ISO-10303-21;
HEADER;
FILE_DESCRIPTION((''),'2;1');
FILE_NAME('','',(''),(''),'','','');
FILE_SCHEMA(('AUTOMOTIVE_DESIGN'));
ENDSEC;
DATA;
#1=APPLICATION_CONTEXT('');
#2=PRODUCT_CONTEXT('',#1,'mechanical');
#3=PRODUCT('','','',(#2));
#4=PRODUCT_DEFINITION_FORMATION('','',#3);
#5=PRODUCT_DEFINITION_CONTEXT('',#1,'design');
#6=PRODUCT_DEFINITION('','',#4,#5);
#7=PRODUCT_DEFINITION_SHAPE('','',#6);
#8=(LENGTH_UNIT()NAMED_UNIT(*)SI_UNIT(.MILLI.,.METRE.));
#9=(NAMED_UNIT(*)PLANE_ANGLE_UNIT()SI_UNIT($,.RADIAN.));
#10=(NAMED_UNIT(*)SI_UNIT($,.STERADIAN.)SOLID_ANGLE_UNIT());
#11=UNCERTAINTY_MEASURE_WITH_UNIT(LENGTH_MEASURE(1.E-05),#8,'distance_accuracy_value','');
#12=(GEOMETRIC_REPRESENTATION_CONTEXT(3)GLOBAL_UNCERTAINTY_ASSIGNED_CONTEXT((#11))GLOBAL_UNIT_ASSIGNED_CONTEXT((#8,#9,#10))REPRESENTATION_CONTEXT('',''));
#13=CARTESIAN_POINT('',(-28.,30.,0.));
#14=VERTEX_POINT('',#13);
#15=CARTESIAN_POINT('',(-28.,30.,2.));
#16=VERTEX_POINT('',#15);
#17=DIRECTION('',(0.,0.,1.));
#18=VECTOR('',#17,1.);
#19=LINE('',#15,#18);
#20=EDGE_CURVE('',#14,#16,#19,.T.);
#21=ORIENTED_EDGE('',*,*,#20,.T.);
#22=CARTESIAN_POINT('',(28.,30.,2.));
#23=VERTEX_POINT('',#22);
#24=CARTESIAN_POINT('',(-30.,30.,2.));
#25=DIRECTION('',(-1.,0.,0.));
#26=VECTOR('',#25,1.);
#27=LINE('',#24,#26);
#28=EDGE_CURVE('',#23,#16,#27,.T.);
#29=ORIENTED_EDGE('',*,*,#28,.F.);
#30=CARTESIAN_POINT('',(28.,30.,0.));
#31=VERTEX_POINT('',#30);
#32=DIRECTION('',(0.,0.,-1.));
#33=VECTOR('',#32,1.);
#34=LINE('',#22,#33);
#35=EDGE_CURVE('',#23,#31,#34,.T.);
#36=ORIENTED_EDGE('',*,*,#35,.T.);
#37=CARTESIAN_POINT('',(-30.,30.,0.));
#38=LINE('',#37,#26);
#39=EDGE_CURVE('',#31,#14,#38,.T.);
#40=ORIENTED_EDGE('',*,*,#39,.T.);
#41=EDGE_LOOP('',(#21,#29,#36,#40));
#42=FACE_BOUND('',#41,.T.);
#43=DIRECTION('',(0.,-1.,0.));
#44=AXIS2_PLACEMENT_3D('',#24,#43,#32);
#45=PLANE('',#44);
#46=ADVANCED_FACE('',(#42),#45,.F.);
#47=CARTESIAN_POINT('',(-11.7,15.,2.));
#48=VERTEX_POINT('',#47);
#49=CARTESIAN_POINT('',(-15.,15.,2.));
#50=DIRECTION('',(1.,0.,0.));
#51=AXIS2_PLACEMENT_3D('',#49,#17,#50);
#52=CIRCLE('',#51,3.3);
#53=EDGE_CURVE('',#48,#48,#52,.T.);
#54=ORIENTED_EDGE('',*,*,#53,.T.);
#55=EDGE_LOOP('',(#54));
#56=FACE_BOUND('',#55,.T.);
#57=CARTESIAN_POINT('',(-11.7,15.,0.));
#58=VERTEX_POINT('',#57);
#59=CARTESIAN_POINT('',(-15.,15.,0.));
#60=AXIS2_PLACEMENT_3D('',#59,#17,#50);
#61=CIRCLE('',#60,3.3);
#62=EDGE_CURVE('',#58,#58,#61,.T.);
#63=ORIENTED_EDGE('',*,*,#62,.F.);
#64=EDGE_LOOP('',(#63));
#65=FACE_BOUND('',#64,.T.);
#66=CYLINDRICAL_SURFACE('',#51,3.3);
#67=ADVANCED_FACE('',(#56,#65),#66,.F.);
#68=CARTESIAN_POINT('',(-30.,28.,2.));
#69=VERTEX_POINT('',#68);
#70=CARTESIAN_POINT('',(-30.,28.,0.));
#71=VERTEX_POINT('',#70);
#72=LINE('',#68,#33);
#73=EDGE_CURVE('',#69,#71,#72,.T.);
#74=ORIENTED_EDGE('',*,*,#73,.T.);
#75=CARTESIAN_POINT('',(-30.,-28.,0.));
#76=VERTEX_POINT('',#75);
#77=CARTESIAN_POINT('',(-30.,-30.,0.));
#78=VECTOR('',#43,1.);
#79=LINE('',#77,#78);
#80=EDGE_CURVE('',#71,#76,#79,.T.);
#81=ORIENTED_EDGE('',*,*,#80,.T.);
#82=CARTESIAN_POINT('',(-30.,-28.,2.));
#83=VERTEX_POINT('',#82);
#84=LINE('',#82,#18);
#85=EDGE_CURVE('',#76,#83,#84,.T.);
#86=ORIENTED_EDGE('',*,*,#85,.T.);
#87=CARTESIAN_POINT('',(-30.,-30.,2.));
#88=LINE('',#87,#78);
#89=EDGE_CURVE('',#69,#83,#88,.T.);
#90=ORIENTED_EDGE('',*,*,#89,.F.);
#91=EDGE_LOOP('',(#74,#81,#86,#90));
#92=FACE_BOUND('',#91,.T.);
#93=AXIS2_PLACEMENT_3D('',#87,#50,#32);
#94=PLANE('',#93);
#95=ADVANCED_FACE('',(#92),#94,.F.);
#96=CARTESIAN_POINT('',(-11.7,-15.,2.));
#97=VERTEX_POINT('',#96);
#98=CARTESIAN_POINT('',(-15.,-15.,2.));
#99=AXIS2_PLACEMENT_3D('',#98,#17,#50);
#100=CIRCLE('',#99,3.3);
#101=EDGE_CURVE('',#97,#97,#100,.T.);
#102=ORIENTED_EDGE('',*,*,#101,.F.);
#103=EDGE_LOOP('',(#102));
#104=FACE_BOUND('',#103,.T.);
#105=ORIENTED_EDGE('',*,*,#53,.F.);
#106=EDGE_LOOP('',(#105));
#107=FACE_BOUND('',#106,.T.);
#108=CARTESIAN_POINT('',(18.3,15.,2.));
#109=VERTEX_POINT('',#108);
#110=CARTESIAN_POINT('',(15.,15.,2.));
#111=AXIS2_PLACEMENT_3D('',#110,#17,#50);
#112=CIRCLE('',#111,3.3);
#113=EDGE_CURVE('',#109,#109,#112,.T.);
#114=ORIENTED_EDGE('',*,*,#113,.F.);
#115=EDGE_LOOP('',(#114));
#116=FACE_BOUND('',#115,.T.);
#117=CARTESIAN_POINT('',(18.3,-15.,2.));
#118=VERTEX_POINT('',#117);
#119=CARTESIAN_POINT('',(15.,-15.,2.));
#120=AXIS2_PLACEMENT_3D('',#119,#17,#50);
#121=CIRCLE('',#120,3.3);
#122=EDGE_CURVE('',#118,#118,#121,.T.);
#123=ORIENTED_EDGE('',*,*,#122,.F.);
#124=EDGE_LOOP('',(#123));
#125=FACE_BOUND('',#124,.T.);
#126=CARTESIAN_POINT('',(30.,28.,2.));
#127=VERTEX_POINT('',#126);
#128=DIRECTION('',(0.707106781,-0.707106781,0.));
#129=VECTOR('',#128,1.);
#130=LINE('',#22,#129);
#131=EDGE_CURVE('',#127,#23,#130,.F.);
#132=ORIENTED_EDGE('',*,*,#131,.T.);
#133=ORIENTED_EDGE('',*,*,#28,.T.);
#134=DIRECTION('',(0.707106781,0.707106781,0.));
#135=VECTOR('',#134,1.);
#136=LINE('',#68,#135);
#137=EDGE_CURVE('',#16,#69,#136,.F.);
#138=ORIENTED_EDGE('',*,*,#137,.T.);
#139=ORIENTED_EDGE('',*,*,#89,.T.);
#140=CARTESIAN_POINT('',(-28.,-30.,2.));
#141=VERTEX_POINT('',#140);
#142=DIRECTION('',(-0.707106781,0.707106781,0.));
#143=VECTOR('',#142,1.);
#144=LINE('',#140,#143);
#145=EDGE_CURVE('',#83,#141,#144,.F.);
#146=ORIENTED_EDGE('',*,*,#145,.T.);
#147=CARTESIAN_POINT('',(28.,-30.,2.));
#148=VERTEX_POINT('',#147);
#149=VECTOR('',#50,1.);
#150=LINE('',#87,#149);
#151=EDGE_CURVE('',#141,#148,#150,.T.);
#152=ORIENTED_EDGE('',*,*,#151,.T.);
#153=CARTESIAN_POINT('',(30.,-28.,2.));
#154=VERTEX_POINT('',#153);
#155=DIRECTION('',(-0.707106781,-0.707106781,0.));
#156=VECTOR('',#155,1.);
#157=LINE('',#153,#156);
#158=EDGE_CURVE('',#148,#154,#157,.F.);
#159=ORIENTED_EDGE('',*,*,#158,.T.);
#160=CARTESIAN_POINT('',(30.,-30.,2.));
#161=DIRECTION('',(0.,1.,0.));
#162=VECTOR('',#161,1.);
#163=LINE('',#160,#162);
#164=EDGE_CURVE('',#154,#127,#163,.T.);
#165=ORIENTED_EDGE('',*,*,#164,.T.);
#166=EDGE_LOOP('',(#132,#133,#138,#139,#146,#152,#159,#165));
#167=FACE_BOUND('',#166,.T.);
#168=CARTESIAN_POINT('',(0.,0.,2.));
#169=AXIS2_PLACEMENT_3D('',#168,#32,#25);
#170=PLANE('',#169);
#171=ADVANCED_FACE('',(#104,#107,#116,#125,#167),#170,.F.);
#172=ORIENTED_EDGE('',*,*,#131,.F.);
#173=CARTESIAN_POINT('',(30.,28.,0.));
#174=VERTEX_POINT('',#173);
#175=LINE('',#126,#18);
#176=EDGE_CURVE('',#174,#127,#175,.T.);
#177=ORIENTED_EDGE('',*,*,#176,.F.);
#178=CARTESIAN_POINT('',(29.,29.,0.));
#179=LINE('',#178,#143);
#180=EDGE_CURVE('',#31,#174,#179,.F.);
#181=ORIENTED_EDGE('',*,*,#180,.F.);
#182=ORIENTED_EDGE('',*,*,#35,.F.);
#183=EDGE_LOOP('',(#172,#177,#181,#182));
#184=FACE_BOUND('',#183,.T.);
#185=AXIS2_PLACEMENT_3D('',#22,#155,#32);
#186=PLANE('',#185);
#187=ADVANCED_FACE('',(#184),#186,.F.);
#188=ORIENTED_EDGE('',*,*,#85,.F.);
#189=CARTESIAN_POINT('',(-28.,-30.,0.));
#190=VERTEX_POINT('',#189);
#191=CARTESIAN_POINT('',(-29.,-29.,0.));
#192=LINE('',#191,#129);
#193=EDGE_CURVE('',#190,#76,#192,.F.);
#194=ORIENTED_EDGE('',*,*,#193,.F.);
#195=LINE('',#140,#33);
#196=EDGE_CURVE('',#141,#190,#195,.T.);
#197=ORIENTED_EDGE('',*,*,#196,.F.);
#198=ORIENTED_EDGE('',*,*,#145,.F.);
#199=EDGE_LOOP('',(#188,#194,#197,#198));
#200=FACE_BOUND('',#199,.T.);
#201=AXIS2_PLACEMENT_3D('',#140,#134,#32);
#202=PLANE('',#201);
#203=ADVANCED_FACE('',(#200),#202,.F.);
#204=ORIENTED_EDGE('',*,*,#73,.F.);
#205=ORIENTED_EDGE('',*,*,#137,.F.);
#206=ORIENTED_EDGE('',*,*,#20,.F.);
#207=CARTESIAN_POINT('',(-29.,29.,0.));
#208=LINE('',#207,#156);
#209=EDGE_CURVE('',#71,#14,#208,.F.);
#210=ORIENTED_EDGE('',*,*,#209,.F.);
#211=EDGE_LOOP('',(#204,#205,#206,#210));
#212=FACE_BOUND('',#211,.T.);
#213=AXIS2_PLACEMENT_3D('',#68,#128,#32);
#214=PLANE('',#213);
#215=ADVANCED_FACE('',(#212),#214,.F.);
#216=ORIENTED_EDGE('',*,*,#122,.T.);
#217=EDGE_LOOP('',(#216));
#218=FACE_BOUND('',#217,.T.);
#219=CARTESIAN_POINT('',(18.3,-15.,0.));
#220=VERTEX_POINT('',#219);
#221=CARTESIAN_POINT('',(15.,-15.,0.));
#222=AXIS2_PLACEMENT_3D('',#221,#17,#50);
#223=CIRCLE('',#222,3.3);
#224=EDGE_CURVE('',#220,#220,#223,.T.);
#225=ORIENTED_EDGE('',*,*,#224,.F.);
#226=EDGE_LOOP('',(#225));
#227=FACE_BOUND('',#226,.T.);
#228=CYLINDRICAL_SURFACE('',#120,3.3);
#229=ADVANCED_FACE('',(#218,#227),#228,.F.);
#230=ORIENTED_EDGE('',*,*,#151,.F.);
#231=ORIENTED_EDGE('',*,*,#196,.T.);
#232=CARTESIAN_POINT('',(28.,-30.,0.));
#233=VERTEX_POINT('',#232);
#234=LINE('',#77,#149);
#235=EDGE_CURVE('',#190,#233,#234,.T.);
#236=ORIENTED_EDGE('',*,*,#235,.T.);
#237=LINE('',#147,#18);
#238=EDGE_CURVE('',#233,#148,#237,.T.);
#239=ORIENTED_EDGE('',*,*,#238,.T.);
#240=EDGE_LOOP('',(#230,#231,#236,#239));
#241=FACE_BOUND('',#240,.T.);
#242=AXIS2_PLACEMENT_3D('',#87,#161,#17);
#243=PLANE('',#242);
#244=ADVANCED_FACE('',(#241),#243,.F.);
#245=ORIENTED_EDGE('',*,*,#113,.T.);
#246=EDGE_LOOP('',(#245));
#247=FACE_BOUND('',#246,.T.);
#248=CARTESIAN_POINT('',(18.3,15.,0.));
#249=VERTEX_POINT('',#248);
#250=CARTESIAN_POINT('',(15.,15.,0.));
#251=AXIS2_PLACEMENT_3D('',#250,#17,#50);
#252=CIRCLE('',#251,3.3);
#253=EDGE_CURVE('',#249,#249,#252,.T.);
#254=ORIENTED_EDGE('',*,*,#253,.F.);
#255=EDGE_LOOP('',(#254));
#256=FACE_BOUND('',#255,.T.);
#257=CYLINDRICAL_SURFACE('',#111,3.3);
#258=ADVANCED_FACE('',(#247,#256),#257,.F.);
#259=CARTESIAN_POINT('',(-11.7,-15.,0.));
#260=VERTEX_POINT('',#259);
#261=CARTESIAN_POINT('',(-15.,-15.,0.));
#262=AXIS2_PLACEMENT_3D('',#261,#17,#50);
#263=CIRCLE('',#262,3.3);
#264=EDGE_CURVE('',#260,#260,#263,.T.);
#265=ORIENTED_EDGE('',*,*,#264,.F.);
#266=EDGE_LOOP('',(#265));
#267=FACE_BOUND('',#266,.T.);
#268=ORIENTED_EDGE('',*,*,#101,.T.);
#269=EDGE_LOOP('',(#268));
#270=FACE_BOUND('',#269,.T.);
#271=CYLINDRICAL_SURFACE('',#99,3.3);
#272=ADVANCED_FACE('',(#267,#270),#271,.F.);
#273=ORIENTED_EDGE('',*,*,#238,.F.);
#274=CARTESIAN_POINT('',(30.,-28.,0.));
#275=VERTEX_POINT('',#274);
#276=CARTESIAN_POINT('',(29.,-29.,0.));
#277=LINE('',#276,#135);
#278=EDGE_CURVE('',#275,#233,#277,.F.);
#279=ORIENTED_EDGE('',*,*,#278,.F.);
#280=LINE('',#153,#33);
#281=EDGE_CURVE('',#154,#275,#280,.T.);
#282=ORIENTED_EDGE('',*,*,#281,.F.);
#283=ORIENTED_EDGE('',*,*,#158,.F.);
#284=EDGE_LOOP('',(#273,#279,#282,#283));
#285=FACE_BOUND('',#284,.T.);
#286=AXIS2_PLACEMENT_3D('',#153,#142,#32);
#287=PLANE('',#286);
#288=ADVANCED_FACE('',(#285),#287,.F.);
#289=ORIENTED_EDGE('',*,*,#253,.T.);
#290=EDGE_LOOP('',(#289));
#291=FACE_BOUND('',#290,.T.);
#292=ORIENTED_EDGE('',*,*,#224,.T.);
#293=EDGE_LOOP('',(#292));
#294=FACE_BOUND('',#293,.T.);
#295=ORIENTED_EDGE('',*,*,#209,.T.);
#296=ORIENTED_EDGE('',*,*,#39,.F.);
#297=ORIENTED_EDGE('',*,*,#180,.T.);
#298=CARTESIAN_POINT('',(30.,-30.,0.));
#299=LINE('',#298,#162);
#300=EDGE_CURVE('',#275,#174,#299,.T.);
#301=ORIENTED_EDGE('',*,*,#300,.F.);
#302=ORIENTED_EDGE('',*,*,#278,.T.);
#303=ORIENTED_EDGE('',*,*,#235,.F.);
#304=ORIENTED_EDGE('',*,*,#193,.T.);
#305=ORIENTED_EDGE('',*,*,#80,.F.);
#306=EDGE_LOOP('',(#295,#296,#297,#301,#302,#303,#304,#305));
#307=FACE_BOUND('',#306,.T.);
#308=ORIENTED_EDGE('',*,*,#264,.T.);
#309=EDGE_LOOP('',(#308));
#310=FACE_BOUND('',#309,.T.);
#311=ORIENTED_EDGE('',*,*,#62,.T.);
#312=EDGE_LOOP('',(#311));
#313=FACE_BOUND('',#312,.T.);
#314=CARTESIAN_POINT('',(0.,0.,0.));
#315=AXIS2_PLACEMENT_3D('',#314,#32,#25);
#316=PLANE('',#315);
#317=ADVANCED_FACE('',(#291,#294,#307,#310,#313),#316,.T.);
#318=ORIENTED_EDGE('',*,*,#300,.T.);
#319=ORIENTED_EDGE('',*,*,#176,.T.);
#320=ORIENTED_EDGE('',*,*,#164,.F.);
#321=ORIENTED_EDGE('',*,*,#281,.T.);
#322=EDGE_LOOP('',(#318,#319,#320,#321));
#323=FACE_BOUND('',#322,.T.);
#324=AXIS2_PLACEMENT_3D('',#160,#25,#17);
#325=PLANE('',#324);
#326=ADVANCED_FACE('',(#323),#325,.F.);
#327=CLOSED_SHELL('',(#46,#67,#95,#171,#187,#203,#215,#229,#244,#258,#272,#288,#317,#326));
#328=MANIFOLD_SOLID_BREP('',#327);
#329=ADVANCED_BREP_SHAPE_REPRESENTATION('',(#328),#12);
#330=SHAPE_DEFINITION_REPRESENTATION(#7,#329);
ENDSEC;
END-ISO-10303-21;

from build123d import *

# Parameters (mm, degrees)
SKETCH_1_W        = 60
SKETCH_1_H        = 60
EXTRUDE_1_DEPTH   = 2
CHAMFER_1_SIZE    = 2
HOLE_WIZARD_M61_D = 6.6


with BuildPart() as part:
    # Эскиз1 → Бобышка-Вытянуть1 (new body)
    with BuildSketch(Plane.XY):
        Rectangle(SKETCH_1_W, SKETCH_1_H)
    extrude(amount=EXTRUDE_1_DEPTH)

    # Фаска1
    chamfer_1_edges = [part.edges().sort_by_distance(p)[0] for p in [
        (30, -30, 1),
        (-30, -30, 1),
        (-30, 30, 1),
        (30, 30, 1),
    ]]
    chamfer(chamfer_1_edges, length=CHAMFER_1_SIZE)

    # Отверстие с зазором M61 (through all)
    with Locations(Plane.XY.offset(2)):
        with Locations((-15, 15), (15, 15), (-15, -15), (15, -15), (-15, 45), (15, 45), (15, -45), (-15, -45)):
            Hole(HOLE_WIZARD_M61_D / 2)


solid = part.part
